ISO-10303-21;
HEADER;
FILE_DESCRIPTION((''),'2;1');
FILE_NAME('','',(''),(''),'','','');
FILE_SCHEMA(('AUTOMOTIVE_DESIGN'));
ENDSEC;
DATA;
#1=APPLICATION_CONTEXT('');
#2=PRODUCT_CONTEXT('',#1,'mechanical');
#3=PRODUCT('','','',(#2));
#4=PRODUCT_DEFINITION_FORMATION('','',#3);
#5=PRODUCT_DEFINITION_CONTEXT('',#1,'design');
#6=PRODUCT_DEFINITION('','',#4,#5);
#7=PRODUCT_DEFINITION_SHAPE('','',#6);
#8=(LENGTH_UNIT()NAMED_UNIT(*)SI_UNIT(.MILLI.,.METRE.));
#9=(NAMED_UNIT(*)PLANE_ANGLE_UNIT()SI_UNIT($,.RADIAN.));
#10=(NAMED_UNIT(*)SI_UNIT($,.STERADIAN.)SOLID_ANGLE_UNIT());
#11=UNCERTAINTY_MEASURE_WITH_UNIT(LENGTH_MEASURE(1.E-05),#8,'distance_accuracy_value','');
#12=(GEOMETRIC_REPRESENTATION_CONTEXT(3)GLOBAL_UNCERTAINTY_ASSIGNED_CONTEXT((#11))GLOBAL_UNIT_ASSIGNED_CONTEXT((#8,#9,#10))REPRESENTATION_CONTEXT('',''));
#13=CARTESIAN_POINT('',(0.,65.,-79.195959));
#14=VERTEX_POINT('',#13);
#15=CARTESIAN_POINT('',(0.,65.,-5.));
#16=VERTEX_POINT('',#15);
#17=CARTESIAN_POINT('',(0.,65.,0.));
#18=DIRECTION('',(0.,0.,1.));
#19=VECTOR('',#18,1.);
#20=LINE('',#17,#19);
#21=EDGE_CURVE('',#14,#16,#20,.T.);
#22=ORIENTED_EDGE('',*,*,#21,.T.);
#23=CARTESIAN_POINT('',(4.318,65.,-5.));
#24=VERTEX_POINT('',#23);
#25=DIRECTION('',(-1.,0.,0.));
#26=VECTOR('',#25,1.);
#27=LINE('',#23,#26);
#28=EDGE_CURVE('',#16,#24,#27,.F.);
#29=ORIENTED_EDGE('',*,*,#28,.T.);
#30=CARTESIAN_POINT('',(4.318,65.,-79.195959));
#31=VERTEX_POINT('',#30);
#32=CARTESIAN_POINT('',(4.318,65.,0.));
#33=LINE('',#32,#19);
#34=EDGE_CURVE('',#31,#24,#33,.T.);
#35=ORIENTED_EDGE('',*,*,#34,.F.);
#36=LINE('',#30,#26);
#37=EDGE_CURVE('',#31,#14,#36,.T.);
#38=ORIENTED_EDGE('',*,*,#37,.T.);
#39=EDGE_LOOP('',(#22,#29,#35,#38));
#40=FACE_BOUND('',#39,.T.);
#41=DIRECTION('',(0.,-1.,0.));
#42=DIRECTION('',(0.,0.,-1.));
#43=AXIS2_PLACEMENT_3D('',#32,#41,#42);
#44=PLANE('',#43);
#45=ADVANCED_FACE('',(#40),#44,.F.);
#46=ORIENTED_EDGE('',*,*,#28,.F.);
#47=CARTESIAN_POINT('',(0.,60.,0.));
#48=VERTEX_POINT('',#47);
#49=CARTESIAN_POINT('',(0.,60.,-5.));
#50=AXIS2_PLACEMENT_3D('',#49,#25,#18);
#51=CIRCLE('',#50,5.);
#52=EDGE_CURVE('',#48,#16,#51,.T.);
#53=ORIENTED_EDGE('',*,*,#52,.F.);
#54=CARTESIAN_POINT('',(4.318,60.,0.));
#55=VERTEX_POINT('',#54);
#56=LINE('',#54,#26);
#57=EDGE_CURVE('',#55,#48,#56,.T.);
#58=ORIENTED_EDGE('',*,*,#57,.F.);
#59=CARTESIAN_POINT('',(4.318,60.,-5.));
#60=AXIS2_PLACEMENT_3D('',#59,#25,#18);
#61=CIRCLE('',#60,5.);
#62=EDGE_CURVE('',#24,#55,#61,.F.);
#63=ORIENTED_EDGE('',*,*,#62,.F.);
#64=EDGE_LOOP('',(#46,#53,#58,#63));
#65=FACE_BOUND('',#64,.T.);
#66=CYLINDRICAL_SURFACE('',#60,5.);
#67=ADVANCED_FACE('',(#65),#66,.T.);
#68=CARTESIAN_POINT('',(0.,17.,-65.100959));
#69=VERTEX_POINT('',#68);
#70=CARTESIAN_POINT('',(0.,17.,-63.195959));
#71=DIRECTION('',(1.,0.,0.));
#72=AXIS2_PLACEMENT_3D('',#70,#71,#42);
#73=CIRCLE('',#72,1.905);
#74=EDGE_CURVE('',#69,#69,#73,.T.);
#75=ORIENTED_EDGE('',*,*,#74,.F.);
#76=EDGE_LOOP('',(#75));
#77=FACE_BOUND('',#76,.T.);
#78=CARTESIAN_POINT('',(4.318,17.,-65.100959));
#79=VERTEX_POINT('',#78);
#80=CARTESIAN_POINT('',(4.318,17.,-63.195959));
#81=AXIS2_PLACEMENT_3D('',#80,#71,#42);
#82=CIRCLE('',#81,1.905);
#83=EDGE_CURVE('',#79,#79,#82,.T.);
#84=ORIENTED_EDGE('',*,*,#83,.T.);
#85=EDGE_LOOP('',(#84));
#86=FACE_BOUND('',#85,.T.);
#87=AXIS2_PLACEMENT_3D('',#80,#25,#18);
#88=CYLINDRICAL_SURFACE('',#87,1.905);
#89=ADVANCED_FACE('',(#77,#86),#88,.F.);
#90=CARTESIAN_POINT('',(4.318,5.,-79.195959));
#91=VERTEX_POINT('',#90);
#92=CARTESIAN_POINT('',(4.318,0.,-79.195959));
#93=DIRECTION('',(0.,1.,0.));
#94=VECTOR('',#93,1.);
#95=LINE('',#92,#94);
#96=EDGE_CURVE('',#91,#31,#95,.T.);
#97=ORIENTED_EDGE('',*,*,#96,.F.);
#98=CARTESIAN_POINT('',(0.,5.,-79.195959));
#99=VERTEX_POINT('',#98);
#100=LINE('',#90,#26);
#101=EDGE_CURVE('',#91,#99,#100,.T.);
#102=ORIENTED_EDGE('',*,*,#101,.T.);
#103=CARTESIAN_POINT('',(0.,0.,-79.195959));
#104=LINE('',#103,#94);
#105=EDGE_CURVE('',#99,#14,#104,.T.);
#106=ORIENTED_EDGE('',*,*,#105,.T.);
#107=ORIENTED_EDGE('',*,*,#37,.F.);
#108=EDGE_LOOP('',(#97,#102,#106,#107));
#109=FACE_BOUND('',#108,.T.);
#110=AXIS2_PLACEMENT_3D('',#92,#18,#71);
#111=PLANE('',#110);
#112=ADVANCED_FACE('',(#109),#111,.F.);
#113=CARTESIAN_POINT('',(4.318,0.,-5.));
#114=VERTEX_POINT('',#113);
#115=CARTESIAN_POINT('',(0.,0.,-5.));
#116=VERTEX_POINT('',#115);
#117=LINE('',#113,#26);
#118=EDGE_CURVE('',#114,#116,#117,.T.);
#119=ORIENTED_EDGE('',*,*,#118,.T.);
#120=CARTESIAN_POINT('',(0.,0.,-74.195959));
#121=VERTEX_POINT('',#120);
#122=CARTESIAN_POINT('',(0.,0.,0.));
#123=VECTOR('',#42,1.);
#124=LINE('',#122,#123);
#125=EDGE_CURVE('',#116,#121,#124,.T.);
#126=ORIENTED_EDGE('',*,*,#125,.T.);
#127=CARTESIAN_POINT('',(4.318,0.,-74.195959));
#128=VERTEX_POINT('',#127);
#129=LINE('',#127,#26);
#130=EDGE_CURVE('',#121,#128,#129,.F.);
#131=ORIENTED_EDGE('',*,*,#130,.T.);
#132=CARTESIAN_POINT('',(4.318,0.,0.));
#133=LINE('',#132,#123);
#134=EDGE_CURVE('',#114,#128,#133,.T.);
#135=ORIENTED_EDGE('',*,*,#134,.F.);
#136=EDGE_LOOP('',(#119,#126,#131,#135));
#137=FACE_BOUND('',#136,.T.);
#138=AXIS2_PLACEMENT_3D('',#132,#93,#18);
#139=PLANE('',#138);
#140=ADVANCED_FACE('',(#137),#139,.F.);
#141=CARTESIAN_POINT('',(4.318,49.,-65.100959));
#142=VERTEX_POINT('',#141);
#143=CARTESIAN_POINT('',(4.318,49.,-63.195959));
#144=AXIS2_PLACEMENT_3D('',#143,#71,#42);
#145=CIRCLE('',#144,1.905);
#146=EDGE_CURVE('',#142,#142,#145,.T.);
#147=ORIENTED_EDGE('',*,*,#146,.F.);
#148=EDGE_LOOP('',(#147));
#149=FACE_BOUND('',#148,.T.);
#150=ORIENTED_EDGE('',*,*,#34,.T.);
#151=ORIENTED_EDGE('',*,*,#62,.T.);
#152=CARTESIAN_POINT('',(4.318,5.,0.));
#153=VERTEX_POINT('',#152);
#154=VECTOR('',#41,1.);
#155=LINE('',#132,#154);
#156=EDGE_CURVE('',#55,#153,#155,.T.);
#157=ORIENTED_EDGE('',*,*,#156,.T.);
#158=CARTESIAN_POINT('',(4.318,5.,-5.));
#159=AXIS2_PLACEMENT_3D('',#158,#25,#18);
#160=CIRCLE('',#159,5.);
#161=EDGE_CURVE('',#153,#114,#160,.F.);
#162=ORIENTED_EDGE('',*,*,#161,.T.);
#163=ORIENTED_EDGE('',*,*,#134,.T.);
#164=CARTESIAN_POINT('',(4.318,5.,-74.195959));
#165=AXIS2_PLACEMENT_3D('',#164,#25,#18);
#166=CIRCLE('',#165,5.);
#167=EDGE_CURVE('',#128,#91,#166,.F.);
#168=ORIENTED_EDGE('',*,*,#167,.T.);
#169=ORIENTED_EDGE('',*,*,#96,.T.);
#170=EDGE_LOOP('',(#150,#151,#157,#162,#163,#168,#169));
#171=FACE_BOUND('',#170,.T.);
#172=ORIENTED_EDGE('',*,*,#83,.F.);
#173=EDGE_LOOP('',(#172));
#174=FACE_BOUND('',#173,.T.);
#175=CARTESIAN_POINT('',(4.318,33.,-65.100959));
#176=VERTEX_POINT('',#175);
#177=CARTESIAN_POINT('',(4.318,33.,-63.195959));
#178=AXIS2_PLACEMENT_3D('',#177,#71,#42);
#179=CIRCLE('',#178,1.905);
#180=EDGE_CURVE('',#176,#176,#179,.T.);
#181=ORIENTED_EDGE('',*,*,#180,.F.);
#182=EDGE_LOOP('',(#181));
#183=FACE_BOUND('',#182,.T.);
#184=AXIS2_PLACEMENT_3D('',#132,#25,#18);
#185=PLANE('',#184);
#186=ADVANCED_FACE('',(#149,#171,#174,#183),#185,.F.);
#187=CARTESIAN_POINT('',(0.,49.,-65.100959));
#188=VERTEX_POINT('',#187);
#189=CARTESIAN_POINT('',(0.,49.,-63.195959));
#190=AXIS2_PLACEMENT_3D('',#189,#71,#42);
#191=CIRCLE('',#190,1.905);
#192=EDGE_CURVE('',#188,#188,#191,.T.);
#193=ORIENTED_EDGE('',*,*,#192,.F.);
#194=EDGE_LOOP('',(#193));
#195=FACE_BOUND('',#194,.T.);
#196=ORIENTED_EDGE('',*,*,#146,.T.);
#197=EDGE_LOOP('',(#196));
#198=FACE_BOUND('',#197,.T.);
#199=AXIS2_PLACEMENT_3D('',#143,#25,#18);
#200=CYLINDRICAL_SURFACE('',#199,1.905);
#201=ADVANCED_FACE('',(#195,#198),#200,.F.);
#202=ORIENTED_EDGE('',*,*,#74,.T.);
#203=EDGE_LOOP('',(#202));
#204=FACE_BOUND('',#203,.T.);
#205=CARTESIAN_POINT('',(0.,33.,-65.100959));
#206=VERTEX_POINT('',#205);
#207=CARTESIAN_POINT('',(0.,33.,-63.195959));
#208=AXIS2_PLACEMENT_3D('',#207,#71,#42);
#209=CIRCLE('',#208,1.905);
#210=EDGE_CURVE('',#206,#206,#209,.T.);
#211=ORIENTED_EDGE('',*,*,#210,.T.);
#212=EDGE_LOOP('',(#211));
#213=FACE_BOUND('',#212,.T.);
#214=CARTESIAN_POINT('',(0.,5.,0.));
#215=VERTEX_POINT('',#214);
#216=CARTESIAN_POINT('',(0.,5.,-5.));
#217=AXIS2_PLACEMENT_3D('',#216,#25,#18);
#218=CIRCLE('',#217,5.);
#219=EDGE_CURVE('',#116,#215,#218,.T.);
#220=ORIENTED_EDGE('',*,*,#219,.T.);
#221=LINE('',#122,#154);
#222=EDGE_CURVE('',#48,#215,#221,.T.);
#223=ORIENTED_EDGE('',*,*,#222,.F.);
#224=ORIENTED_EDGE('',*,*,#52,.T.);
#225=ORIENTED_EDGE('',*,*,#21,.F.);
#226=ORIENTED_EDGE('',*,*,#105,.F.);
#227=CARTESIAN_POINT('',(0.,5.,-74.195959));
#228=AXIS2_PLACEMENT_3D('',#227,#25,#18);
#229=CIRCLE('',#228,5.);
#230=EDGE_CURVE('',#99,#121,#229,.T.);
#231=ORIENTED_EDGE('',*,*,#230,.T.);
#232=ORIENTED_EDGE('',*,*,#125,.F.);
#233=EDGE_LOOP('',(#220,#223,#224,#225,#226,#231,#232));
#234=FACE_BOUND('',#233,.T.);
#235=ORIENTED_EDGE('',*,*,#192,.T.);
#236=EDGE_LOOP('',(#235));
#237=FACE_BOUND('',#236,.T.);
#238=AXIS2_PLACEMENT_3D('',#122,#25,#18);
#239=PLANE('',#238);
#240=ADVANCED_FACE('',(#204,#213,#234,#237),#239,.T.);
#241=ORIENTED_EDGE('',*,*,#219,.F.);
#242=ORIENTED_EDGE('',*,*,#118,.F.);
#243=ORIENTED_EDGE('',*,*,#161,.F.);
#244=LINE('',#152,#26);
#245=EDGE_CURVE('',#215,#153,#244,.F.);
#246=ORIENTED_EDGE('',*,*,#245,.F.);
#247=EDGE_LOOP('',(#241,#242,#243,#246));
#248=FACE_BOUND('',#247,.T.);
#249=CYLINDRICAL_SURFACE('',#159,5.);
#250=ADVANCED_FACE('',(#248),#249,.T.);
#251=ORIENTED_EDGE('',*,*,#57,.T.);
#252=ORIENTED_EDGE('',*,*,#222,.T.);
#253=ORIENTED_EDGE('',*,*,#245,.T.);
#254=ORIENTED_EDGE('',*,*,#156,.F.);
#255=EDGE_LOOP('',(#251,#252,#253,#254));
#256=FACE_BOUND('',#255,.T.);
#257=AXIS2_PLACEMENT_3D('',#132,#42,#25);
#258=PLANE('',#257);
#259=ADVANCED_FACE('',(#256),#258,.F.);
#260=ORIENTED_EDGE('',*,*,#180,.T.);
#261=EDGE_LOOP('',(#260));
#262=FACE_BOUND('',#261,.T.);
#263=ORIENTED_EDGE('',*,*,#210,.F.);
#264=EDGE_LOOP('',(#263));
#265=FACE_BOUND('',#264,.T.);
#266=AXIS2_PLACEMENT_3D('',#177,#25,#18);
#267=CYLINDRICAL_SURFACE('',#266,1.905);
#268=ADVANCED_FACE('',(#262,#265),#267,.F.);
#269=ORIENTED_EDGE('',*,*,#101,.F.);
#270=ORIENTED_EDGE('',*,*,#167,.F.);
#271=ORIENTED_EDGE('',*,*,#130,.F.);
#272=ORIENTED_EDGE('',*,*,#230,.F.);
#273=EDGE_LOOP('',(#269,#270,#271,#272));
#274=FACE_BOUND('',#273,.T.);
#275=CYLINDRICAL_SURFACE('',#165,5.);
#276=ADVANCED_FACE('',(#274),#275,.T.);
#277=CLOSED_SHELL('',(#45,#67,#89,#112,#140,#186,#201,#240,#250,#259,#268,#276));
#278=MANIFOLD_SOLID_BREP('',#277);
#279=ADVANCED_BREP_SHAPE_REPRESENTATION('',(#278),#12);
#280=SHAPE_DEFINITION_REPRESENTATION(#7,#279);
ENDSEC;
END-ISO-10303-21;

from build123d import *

# Parameters (mm, degrees)
SKETCH1_W           = 79.195959493
SKETCH1_H           = 65
SKETCH1_R           = 1.905
BOSS_EXTRUDE1_DEPTH = 4.318
FILLET1_R           = 5


with BuildPart() as part:
    # Sketch1 → Boss-Extrude1 (new body)
    with BuildSketch(Plane(origin=(0, 0, 0), x_dir=(0, 0, -1), z_dir=(1, 0, 0))):
        with Locations((39.597979747, 32.5)):
            Rectangle(SKETCH1_W, SKETCH1_H)
        with Locations((63.195959493, 49)):
            Circle(SKETCH1_R, mode=Mode.SUBTRACT)
        with Locations((63.195959493, 33)):
            Circle(SKETCH1_R, mode=Mode.SUBTRACT)
        with Locations((63.195959493, 17)):
            Circle(SKETCH1_R, mode=Mode.SUBTRACT)
    extrude(amount=BOSS_EXTRUDE1_DEPTH)

    # Fillet1
    fillet1_edges = [part.edges().sort_by_distance(p)[0] for p in [
        (2.159, 65, 0),
        (2.159, 0, -79.195959493),
        (2.159, 0, 0),
    ]]
    fillet(fillet1_edges, radius=FILLET1_R)


solid = part.part
